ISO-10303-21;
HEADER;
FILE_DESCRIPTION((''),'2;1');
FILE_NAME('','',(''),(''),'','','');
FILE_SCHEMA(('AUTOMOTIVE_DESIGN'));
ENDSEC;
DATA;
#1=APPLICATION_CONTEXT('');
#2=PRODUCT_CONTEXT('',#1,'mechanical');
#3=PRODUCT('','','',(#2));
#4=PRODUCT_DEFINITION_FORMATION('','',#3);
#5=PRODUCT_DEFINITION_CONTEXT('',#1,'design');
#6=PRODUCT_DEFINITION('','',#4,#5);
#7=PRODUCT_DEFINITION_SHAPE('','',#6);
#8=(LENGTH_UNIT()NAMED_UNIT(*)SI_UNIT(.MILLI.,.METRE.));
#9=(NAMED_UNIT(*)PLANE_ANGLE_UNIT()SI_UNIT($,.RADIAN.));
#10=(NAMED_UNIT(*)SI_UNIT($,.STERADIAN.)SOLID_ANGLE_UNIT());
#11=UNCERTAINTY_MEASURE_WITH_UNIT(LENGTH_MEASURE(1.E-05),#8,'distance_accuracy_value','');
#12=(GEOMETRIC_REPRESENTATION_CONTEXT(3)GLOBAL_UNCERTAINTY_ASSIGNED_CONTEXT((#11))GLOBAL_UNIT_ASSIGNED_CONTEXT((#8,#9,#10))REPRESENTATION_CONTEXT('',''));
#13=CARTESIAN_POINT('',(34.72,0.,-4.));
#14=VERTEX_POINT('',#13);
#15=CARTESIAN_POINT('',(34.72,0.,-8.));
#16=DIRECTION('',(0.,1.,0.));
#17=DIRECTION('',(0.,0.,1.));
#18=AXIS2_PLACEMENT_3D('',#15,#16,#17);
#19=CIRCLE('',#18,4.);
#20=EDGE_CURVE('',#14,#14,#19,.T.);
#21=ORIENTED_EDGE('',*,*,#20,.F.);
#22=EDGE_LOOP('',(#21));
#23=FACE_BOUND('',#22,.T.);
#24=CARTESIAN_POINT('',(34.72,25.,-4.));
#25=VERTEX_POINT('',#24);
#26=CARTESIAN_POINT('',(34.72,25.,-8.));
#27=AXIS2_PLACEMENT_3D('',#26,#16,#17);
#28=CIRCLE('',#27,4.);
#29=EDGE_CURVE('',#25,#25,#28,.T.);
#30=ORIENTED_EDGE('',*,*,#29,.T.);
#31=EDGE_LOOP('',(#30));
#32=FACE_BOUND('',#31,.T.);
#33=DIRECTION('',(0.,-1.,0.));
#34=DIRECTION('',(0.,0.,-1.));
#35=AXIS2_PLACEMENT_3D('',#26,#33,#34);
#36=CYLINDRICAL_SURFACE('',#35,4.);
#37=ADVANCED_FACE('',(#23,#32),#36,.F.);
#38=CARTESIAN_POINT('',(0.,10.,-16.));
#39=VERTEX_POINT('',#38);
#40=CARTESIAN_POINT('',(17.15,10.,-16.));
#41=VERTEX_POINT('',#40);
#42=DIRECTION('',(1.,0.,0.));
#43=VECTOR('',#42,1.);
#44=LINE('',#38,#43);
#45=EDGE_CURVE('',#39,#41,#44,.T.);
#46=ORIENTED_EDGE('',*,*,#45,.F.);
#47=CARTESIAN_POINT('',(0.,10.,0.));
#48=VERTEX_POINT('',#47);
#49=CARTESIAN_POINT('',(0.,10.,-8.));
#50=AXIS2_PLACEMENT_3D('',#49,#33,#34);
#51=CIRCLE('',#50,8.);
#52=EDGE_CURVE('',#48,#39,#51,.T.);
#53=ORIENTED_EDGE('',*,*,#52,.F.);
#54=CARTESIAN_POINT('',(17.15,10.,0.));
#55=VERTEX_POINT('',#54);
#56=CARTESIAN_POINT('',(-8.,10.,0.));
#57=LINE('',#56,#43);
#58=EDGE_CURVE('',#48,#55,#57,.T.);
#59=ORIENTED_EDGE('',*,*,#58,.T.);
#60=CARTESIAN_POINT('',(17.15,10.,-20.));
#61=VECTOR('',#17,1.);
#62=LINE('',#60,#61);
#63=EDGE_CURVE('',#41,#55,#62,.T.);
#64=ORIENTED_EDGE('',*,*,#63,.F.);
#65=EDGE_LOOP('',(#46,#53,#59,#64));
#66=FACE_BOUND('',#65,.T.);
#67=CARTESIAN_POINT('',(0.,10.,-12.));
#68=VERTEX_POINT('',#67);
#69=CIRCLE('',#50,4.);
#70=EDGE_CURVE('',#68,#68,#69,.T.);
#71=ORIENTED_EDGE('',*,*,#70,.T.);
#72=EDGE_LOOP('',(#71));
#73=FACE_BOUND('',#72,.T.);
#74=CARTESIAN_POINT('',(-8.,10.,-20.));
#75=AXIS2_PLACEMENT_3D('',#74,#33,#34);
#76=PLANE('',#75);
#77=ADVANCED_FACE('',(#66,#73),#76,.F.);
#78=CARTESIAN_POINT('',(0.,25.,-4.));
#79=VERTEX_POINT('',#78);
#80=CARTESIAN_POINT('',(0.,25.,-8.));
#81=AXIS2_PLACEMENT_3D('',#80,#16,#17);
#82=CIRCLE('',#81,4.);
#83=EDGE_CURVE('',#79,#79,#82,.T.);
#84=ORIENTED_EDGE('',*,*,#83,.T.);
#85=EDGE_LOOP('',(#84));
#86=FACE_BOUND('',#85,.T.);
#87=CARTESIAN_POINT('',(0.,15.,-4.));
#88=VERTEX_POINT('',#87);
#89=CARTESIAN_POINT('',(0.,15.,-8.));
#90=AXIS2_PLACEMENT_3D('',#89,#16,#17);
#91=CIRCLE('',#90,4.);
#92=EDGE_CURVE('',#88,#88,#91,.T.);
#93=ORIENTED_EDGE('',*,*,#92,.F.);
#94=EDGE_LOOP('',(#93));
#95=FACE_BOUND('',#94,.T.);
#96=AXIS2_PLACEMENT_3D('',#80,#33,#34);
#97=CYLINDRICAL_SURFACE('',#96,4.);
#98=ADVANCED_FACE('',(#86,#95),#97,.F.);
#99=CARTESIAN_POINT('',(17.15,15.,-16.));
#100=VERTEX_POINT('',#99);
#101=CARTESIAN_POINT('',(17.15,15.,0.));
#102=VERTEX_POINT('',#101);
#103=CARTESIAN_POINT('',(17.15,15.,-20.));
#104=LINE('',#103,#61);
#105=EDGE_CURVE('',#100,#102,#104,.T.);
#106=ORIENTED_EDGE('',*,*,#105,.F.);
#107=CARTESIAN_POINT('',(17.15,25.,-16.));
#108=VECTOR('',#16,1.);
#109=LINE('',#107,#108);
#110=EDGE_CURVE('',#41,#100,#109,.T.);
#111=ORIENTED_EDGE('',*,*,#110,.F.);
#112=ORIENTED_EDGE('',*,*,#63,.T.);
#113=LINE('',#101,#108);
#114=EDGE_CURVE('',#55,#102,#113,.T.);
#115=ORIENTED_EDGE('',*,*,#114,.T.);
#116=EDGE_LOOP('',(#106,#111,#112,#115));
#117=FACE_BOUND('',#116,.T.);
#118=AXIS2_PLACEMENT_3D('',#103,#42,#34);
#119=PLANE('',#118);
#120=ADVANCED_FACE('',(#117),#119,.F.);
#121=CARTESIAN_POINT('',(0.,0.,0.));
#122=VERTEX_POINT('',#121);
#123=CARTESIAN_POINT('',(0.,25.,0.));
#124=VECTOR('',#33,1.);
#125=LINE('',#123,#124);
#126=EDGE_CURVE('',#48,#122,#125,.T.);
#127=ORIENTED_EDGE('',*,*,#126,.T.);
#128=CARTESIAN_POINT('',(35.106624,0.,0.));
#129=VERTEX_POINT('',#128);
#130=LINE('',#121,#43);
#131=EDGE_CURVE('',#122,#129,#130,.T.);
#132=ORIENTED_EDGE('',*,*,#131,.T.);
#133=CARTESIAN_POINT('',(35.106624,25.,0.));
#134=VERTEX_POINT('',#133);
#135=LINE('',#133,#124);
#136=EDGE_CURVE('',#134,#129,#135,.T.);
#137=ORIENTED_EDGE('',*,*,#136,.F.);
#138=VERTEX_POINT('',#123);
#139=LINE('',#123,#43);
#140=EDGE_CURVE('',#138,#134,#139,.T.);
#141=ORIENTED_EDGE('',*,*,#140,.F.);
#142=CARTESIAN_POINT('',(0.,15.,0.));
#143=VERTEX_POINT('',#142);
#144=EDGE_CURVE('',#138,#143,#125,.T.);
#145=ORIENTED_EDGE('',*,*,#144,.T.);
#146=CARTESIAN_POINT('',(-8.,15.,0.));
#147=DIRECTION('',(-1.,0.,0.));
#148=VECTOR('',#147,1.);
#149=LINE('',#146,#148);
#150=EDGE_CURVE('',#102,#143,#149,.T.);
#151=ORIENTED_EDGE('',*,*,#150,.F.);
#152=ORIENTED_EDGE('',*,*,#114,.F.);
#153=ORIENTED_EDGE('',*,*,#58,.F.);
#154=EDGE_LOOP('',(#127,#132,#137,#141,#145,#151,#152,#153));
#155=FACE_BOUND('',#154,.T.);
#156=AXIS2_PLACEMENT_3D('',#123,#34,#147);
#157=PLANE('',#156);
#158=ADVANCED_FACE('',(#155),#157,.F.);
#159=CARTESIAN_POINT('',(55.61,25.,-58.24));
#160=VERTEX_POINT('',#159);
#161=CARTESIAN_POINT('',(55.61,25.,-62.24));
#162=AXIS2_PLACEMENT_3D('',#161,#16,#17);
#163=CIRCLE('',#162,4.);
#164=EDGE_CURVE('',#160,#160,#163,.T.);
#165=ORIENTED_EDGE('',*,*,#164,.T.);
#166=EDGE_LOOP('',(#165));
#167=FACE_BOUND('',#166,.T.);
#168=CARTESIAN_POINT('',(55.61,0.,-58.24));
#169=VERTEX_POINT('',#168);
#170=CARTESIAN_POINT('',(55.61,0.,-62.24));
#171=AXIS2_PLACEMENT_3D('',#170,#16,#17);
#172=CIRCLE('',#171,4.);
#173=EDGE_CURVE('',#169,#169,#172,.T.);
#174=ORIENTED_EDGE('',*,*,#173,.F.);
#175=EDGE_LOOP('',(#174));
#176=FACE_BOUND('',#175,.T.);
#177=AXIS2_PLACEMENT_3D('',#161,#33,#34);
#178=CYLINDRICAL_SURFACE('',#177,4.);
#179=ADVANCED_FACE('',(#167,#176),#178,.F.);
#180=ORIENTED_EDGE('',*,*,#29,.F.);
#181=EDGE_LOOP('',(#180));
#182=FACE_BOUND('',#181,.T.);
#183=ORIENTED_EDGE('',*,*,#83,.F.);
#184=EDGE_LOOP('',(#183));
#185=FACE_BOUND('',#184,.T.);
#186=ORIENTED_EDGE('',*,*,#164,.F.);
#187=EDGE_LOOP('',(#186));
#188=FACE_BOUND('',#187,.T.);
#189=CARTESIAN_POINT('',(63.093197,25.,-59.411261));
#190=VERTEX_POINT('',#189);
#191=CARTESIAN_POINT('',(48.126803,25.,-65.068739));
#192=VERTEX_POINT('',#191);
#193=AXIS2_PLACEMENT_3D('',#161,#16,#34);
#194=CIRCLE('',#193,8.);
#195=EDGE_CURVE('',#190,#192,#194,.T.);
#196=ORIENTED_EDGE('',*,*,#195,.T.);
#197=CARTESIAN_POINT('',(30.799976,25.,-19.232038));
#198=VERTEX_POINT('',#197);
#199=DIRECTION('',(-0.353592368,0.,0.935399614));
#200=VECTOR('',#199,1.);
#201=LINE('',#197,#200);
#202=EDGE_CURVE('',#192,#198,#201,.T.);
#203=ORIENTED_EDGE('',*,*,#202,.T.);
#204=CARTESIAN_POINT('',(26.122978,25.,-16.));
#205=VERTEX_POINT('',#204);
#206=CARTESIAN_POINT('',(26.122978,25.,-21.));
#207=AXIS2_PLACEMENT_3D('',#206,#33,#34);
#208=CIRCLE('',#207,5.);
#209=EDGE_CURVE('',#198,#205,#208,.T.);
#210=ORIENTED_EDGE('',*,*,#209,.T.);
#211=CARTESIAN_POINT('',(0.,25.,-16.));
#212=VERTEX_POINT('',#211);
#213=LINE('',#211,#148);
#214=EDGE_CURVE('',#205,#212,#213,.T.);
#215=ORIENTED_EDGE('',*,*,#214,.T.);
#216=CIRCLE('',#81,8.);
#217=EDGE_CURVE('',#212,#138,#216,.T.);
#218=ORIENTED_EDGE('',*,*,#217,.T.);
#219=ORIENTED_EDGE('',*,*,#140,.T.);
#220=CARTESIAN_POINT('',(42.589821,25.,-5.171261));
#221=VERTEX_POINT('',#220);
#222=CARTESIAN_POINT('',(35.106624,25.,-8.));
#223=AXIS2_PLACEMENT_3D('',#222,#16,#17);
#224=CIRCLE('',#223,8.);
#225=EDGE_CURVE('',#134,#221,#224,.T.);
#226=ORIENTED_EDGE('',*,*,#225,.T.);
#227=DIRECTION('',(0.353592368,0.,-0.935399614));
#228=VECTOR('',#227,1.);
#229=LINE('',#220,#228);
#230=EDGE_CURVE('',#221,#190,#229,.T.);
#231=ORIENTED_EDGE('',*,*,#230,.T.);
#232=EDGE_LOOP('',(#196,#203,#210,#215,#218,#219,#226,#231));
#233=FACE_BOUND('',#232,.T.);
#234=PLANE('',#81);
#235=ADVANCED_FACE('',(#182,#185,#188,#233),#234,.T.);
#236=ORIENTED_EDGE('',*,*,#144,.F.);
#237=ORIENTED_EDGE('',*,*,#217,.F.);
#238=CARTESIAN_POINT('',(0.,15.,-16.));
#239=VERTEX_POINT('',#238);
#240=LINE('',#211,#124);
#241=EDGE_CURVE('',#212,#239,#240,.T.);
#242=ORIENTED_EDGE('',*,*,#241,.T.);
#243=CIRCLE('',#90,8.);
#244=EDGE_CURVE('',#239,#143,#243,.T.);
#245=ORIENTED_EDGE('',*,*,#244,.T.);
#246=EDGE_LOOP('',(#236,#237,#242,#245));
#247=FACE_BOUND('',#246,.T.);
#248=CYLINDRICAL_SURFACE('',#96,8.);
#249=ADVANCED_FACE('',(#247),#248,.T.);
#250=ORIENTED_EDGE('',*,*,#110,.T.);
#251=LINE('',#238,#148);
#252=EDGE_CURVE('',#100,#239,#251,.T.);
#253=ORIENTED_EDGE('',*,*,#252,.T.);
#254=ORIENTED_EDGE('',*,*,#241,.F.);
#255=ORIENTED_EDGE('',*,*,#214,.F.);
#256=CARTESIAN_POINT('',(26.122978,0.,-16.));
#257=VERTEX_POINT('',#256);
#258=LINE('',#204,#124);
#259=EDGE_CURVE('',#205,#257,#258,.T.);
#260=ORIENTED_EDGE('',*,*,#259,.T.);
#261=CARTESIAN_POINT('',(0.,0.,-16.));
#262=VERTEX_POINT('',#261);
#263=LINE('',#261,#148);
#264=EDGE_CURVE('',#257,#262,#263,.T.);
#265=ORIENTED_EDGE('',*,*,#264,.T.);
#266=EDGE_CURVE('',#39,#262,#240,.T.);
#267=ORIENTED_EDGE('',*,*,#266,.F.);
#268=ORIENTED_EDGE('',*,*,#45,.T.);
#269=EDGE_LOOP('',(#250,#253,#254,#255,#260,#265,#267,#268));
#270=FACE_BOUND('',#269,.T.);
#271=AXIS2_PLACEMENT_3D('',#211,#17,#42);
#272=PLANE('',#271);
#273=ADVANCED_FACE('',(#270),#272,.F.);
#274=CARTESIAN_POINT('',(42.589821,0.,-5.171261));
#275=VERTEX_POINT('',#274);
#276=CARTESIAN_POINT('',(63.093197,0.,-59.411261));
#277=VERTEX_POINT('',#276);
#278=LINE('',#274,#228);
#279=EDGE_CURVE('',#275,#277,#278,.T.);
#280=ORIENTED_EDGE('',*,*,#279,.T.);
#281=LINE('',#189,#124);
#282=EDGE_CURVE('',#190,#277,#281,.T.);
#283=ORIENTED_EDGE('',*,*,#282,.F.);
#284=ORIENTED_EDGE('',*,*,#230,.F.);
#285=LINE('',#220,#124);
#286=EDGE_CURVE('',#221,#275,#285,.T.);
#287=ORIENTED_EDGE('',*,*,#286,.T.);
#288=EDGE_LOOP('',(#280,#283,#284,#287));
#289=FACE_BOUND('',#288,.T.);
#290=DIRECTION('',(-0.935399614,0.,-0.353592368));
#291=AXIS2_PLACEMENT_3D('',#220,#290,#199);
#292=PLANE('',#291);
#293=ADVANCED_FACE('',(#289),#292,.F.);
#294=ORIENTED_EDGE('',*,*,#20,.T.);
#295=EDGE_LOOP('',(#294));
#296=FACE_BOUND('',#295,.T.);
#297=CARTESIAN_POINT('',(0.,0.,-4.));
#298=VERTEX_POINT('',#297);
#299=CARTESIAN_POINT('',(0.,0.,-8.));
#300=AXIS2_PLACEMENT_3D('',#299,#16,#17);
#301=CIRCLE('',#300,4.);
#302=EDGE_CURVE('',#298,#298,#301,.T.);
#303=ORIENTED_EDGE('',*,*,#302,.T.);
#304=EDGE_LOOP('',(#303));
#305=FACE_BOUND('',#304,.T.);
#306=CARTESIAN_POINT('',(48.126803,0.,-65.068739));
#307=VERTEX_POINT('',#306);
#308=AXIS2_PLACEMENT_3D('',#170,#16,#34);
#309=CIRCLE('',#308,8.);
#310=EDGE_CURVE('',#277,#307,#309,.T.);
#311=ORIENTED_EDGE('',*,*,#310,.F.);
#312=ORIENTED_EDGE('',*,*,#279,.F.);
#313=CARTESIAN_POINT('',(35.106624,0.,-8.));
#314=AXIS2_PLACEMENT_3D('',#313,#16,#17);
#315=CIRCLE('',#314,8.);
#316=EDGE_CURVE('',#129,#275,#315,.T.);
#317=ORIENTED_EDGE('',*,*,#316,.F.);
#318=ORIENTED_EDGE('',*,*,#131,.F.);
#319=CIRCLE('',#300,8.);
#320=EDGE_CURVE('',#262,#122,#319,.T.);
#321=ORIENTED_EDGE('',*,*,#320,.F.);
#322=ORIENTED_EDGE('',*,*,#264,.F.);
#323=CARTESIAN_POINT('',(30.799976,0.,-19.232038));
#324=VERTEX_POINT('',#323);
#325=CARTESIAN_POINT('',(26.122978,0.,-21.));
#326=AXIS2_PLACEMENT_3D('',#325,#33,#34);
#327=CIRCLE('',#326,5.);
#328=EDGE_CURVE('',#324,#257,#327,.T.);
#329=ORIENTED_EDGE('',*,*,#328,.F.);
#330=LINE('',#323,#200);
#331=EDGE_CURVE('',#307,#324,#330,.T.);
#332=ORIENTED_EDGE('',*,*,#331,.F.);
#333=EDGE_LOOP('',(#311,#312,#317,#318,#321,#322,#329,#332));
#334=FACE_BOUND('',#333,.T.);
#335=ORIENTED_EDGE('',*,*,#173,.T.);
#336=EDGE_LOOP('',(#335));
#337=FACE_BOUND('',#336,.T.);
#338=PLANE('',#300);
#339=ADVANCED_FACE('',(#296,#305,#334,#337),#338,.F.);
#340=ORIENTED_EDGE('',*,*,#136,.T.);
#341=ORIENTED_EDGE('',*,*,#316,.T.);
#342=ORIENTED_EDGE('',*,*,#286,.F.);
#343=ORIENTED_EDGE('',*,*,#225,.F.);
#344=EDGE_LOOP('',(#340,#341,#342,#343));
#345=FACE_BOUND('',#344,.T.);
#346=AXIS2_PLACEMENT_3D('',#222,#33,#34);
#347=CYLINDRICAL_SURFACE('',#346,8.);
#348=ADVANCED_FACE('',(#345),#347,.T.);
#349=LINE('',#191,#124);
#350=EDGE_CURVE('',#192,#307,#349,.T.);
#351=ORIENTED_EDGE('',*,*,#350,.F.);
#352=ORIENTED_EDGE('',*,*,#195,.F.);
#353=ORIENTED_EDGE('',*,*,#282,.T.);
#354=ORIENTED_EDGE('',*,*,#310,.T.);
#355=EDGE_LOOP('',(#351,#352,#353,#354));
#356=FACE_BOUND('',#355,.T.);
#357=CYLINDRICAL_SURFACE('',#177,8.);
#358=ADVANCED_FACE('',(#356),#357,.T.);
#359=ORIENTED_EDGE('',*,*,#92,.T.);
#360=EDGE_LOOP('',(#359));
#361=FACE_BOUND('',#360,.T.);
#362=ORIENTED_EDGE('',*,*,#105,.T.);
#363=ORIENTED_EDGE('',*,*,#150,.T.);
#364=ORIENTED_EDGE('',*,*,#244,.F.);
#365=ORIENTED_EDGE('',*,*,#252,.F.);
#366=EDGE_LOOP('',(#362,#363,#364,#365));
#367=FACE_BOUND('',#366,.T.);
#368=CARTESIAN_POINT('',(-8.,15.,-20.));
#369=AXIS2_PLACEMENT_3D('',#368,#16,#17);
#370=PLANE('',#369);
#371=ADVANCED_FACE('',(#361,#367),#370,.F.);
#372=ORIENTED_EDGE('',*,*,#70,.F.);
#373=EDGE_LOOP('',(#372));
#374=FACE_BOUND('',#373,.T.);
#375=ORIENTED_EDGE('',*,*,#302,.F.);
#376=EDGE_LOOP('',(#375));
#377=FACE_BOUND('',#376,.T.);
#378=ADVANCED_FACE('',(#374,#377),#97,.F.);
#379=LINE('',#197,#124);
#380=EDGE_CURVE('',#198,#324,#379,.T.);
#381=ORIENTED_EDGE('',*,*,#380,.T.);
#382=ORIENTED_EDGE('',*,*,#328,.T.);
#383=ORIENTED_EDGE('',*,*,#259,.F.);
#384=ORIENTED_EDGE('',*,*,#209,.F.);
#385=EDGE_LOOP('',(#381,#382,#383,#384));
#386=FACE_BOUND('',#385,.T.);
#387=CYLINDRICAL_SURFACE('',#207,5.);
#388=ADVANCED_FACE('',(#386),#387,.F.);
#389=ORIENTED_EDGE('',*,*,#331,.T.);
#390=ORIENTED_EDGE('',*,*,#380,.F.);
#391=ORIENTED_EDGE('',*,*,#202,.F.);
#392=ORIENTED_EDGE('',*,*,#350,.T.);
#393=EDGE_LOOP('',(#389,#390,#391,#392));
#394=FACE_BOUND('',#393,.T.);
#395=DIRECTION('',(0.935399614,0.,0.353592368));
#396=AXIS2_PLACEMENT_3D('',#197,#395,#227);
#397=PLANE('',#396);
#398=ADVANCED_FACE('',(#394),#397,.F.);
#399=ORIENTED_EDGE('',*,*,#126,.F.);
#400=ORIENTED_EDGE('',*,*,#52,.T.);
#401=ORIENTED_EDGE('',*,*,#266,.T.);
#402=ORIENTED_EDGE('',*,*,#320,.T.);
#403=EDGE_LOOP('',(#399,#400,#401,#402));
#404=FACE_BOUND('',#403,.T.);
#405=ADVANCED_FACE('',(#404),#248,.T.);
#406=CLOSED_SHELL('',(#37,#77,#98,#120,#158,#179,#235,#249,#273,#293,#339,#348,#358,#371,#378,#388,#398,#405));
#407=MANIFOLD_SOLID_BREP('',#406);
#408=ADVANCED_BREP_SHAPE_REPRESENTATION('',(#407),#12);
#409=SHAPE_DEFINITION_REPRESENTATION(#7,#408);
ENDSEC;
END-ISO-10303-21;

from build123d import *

# Parameters (mm, degrees)
SKETCH1_R           = 4
BOSS_EXTRUDE1_DEPTH = 25
SKETCH2_W           = 25.15
SKETCH2_H           = 5
CUT_EXTRUDE1_DEPTH  = 20


with BuildPart() as part:
    # Sketch1 → Boss-Extrude1 (new body)
    with BuildSketch(Plane(origin=(0, 0, 0), x_dir=(1, 0, 0), z_dir=(0, 1, 0))):
        with BuildLine():
            Line((0, 0), (35.106623938, 0))
            ThreePointArc((35.106623938, 0), (39.654705316, 1.418590137), (42.589820847, 5.171261055))
            Line((42.589820847, 5.171261055), (63.093196909, 59.411261055))
            ThreePointArc((63.093196909, 59.411261055), (58.438738945, 69.723196909), (48.126803091, 65.068738945))
            Line((48.126803091, 65.068738945), (30.799975774, 19.232038159))
            ThreePointArc((30.799975774, 19.232038159), (28.965528567, 16.886618836), (26.122977706, 16))
            Line((26.122977706, 16), (0, 16))
            ThreePointArc((0, 16), (-8, 8), (0, 0))
        make_face()
        with Locations(Location((0, 8, 0), (0, 0, 270))):
            Circle(SKETCH1_R, mode=Mode.SUBTRACT)
        with Locations(Location((55.61, 62.24, 0), (0, 0, 270))):
            Circle(SKETCH1_R, mode=Mode.SUBTRACT)
        with Locations(Location((34.72, 8, 0), (0, 0, 270))):
            Circle(SKETCH1_R, mode=Mode.SUBTRACT)
    extrude(amount=BOSS_EXTRUDE1_DEPTH)

    # Sketch2 → Cut-Extrude1 (cut)
    with BuildSketch(Plane.XY):
        with Locations((4.575, 12.5)):
            Rectangle(SKETCH2_W, SKETCH2_H)
    extrude(amount=-CUT_EXTRUDE1_DEPTH, mode=Mode.SUBTRACT)


solid = part.part
